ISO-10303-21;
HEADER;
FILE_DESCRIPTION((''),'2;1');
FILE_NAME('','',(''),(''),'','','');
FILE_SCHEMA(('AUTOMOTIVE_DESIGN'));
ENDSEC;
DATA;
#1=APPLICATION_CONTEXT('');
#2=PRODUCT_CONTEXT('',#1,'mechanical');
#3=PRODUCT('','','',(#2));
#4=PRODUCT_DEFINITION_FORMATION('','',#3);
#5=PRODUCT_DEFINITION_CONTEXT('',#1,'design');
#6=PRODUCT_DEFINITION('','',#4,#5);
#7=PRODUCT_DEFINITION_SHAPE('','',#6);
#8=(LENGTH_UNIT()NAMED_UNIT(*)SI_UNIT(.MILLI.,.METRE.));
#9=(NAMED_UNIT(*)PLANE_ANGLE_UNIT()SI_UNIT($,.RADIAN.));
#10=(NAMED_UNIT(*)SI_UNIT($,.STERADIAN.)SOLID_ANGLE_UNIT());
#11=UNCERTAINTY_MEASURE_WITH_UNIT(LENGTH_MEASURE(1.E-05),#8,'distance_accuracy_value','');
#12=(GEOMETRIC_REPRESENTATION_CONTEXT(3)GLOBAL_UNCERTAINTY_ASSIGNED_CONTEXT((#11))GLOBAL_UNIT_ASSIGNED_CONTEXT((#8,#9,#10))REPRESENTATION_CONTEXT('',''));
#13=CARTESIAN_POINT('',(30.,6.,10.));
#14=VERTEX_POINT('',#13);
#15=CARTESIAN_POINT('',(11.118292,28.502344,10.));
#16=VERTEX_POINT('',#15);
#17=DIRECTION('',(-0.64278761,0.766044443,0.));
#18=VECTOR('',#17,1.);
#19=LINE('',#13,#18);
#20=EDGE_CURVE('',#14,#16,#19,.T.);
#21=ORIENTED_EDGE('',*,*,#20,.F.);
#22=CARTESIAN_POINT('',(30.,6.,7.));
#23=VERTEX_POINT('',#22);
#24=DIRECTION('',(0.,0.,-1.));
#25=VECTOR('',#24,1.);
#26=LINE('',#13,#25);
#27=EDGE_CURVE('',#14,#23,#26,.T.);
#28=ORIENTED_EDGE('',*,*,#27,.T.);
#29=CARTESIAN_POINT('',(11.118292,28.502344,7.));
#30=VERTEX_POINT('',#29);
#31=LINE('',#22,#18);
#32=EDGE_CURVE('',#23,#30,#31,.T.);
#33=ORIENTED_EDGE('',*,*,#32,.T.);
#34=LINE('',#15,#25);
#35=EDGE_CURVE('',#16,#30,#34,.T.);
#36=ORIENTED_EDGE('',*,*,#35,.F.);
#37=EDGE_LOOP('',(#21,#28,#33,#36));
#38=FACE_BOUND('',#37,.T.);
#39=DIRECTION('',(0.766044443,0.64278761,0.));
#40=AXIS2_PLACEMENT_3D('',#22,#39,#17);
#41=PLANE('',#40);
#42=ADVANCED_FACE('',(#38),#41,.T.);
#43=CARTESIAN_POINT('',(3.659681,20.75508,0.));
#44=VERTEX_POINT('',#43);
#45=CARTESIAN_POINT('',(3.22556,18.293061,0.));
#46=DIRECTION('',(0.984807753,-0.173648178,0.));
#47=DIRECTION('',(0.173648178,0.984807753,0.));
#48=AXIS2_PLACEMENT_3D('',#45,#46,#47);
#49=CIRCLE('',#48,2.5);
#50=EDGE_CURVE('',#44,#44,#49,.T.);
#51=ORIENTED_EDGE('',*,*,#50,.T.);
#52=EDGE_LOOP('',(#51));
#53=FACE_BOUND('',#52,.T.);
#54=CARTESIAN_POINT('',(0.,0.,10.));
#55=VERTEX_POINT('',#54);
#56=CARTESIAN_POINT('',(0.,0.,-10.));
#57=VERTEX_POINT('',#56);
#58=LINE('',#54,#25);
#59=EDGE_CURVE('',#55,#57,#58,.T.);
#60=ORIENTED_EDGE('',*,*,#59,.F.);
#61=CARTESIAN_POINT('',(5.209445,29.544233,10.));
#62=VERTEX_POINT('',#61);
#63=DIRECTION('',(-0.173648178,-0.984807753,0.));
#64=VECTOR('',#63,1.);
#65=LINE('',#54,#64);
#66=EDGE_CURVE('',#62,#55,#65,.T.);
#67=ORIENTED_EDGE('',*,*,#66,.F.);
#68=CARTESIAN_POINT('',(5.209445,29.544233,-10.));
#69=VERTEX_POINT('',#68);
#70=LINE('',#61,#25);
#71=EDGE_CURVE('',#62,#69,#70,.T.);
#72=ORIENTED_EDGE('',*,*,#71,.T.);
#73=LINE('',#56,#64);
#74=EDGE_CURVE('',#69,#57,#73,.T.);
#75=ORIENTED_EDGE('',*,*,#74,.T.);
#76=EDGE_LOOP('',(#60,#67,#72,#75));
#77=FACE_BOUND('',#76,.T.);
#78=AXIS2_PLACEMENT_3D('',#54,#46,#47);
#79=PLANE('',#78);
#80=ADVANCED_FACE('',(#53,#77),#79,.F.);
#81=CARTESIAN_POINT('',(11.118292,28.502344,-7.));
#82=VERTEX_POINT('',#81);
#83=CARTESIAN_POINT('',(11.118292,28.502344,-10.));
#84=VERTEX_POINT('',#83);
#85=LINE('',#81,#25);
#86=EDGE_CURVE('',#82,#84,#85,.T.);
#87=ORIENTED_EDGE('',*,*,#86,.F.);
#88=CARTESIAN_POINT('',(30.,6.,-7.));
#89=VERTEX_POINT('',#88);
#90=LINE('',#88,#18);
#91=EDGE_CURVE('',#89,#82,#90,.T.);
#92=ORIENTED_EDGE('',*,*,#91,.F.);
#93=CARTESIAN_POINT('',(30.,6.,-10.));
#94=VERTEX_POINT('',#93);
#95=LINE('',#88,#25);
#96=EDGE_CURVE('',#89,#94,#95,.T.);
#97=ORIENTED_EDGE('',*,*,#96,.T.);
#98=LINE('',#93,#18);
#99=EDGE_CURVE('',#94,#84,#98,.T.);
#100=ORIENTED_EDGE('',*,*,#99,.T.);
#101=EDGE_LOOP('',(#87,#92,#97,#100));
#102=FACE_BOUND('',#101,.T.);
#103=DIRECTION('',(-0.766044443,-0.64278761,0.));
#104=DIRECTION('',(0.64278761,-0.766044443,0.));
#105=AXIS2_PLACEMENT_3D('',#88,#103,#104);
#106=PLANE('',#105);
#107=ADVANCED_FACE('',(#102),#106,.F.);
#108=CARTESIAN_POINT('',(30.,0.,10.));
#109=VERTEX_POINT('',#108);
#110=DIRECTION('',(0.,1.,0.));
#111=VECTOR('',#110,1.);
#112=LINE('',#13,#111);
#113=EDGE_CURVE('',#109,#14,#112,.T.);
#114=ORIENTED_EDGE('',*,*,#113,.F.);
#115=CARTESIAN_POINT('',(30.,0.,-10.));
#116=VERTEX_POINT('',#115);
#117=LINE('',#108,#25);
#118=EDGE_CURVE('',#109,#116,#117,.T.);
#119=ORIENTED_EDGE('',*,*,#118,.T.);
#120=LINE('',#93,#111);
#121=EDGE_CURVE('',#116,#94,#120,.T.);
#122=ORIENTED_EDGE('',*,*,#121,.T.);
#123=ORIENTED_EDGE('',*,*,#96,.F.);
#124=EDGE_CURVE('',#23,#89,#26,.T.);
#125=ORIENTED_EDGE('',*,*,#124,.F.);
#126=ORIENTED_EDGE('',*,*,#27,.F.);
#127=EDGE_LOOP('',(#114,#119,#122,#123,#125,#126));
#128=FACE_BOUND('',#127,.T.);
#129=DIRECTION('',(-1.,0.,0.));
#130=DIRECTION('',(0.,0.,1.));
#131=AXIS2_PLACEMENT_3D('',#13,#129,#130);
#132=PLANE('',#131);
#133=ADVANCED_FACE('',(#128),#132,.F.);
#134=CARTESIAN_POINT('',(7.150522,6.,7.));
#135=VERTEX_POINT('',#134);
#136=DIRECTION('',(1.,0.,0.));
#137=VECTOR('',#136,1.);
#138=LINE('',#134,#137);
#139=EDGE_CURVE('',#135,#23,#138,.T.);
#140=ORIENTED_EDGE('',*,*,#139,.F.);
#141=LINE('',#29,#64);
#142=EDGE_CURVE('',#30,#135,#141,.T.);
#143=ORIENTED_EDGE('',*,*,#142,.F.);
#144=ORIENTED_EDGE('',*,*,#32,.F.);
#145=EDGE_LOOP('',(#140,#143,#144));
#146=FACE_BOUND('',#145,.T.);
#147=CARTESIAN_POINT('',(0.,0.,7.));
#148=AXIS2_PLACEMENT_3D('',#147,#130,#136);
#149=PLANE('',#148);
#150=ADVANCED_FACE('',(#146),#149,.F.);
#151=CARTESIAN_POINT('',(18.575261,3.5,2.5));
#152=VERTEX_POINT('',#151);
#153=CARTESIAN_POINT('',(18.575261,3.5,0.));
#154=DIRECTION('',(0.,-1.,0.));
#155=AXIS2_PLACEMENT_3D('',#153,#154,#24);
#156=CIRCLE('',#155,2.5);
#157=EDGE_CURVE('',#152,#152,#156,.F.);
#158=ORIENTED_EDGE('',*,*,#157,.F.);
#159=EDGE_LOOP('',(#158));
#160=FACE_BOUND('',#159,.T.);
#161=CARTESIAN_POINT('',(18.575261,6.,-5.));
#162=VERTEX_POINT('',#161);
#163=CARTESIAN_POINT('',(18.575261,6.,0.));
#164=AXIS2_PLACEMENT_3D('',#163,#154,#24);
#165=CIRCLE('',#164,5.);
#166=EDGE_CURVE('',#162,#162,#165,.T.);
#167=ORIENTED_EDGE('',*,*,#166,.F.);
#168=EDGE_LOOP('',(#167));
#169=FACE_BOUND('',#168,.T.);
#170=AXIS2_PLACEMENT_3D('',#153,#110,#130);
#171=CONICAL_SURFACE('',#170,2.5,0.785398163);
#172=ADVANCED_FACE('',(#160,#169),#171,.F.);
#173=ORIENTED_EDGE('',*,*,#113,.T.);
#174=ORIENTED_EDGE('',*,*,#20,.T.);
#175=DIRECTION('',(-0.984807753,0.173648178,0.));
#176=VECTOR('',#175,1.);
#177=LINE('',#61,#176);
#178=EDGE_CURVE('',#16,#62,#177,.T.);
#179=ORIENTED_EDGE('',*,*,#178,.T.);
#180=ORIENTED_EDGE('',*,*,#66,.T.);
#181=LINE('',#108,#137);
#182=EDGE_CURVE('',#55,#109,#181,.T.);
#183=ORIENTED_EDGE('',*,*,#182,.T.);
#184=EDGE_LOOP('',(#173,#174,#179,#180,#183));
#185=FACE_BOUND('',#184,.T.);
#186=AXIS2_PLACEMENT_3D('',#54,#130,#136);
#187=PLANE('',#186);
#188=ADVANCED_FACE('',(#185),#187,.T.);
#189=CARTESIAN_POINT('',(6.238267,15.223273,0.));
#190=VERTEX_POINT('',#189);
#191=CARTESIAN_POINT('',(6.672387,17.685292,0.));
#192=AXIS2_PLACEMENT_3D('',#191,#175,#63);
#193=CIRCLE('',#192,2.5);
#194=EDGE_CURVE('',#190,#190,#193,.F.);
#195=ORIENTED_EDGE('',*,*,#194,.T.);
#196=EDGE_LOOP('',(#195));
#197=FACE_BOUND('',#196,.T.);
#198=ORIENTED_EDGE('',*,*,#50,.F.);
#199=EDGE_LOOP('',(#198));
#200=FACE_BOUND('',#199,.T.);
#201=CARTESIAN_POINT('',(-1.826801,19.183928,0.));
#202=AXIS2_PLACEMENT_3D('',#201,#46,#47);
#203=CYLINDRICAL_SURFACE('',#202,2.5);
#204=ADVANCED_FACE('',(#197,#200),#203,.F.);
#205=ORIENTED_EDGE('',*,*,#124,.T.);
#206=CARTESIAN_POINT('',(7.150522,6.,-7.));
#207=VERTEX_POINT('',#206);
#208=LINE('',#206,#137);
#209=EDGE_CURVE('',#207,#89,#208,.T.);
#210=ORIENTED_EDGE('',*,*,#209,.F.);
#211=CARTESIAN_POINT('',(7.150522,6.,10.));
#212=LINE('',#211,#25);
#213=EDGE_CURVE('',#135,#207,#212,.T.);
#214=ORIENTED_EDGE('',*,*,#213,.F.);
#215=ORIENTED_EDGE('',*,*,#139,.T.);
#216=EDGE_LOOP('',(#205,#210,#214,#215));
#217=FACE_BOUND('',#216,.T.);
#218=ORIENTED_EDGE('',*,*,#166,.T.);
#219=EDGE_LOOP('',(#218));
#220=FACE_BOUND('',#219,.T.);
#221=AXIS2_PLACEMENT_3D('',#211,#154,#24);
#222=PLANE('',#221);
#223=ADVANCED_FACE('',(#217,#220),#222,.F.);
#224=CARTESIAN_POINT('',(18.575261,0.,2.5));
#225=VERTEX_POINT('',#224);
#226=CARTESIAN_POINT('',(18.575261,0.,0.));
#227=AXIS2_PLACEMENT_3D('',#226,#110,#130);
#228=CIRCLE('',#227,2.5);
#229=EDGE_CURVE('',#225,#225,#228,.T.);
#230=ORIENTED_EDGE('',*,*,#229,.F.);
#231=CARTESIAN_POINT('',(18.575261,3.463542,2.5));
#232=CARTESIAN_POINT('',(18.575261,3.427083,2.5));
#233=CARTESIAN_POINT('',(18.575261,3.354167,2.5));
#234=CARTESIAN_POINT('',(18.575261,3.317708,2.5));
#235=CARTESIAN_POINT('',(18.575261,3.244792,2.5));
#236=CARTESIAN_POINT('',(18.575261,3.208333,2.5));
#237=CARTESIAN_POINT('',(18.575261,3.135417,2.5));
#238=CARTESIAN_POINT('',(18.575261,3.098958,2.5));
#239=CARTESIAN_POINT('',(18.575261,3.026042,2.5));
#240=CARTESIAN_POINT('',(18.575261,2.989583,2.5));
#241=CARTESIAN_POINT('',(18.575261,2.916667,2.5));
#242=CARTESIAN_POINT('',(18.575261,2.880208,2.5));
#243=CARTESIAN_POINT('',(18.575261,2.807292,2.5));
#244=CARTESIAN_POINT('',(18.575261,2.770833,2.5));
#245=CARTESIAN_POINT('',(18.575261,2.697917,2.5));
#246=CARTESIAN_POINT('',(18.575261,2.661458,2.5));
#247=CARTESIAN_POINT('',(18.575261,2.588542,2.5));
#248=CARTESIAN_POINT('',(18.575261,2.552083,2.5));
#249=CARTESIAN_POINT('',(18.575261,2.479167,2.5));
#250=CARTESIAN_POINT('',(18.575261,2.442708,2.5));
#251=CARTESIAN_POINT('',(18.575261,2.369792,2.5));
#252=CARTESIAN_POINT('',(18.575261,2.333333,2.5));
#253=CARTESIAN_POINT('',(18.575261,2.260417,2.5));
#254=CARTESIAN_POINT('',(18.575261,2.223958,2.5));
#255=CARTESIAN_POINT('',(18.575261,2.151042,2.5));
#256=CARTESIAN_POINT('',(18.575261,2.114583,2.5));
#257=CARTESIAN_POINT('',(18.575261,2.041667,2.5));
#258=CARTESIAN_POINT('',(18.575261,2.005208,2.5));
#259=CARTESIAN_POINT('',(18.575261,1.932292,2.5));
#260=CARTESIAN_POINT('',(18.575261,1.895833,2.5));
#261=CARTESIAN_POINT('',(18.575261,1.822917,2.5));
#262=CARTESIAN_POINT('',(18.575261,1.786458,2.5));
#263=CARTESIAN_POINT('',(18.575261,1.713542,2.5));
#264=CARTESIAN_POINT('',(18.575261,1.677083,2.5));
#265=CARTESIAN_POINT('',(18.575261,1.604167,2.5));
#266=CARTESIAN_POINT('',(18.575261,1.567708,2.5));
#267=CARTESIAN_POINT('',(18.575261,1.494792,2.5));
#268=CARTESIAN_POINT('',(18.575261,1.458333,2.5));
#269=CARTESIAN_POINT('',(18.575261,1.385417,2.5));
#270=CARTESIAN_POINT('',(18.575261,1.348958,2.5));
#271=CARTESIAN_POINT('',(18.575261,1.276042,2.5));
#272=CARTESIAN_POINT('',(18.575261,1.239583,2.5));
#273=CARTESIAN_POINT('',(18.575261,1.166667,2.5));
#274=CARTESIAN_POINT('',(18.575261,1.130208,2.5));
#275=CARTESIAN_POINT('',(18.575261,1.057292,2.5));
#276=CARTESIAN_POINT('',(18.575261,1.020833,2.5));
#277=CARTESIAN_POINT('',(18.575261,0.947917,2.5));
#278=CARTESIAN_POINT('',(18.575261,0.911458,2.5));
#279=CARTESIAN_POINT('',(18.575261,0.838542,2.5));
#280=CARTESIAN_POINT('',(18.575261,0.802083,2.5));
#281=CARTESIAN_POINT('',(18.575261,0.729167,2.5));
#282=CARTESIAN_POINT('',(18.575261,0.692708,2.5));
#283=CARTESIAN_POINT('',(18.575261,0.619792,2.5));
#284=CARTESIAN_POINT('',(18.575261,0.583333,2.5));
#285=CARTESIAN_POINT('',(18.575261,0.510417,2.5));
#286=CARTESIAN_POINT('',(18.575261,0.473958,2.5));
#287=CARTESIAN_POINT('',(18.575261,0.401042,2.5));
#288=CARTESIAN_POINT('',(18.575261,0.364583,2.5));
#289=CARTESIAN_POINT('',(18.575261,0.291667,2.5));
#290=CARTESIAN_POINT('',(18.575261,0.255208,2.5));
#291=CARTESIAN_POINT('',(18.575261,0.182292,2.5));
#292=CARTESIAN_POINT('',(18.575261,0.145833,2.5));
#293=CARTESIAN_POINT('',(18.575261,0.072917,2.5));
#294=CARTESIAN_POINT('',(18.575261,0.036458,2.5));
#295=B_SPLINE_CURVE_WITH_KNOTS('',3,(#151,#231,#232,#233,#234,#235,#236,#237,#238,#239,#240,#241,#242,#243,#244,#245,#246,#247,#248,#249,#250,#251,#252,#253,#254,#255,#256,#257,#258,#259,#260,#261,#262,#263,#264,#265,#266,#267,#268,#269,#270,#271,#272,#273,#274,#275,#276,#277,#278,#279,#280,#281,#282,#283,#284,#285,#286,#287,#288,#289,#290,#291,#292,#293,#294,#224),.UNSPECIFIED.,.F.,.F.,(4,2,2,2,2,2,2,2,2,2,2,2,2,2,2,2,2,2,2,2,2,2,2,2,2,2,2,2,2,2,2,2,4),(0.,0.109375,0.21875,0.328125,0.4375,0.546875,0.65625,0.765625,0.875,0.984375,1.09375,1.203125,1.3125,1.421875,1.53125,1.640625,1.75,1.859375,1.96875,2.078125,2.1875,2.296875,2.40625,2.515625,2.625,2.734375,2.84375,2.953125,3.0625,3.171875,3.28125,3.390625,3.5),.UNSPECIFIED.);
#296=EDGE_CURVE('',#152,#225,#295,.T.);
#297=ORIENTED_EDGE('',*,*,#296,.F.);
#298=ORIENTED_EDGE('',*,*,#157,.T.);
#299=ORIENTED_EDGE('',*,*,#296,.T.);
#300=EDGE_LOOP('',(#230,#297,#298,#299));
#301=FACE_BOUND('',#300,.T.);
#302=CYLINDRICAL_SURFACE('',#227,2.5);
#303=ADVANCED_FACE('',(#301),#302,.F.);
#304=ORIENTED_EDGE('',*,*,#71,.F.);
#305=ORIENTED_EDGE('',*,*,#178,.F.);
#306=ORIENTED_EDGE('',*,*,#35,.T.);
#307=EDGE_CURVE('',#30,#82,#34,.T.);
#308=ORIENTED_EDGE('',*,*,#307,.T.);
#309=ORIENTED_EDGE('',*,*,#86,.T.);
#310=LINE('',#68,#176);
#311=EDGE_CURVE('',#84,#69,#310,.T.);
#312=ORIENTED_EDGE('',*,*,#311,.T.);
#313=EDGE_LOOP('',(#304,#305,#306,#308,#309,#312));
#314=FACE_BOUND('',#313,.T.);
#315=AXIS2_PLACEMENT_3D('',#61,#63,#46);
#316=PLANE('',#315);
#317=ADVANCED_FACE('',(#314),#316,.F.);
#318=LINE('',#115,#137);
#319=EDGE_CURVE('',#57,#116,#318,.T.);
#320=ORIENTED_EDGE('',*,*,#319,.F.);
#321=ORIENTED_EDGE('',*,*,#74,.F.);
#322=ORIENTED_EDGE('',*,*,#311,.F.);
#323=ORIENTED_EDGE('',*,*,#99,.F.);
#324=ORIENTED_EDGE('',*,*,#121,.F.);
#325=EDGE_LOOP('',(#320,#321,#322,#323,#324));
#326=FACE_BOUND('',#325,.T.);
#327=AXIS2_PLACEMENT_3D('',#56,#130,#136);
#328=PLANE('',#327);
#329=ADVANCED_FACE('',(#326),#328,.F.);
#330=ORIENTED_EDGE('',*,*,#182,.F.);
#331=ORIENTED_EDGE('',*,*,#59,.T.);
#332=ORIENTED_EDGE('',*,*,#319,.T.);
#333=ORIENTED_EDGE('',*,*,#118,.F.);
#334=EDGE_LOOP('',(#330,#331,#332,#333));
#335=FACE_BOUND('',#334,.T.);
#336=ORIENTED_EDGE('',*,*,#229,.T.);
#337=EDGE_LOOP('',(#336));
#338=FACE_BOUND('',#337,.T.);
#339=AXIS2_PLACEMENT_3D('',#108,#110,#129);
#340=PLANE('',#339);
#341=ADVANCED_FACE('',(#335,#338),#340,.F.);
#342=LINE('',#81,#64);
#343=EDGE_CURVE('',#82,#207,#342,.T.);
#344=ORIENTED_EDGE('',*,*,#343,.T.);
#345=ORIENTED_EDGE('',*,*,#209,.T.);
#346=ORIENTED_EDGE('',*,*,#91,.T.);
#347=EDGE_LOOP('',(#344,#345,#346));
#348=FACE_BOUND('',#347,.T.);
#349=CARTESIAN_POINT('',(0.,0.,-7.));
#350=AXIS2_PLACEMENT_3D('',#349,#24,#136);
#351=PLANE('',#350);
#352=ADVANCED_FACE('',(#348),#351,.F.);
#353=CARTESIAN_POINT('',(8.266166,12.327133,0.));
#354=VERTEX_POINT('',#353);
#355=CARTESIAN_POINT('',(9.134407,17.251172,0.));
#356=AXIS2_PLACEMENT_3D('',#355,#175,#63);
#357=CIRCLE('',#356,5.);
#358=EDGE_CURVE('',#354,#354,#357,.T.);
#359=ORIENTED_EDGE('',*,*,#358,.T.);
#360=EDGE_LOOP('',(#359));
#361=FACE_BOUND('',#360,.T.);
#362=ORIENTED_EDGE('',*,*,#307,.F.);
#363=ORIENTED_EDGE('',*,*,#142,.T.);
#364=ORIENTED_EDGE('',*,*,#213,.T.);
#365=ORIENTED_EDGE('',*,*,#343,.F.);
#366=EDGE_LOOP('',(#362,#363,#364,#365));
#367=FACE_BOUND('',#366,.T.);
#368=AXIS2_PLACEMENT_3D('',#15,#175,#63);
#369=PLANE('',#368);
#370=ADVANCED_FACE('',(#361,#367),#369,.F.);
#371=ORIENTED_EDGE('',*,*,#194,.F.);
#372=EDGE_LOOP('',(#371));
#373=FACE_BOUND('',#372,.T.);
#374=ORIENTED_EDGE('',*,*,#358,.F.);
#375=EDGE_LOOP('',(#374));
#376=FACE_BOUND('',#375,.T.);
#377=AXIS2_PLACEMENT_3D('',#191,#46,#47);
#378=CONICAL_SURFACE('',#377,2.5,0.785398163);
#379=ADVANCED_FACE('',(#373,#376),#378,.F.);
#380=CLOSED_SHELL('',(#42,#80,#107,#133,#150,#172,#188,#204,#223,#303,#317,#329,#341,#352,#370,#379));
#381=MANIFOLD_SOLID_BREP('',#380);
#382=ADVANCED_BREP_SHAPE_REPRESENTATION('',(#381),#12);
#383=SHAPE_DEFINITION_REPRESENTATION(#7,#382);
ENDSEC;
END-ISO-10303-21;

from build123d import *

# Parameters (mm, degrees)
BOSS_EXTRUDE1_DEPTH = 10
BOSS_EXTRUDE2_DEPTH = 3
SKETCH3_R           = 2.5
CUT_EXTRUDE1_DEPTH  = 41.198190433
SKETCH4_R           = 2.5
CUT_EXTRUDE2_DEPTH  = 40.425003339
CHAMFER1_SIZE       = 2.5


with BuildPart() as part:
    # Sketch1 → Boss-Extrude1 (new, symmetric)
    with BuildSketch(Plane.XY):
        Polygon((0, 0), (5.20944533, 29.54423259), (11.118291848, 28.502343524), (7.150521556, 6), (30, 6), (30, 0), align=None)
    extrude(amount=BOSS_EXTRUDE1_DEPTH, both=True)

    # Sketch2 → Boss-Extrude2 (add)
    with BuildSketch(Plane.XY.offset(10)):
        Polygon((11.118291848, 28.502343524), (7.150521556, 6), (30, 6), align=None)
    boss_extrude2 = extrude(amount=-BOSS_EXTRUDE2_DEPTH)

    # Mirror1: Boss-Extrude2 across plane
    add(boss_extrude2.mirror(Plane.XY))

    # Sketch3 → Cut-Extrude1 (cut, through all)
    with BuildSketch(Plane(origin=(5.908846518, -1.041889066, 0), x_dir=(0, 0, -1), z_dir=(0.9848077530122076, -0.173648177666934, 0))):
        with Locations(Location((0, 18.575260778, 0), (0, 0, 90))):
            Circle(SKETCH3_R)
    extrude(amount=-CUT_EXTRUDE1_DEPTH, mode=Mode.SUBTRACT)

    # Sketch4 → Cut-Extrude2 (cut, through all)
    with BuildSketch(Plane(origin=(0, 6, 0), x_dir=(1, 0, 0), z_dir=(0, 1, 0))):
        with Locations(Location((18.575260778, 0, 0), (0, 0, 270))):
            Circle(SKETCH4_R)
    extrude(amount=-CUT_EXTRUDE2_DEPTH, mode=Mode.SUBTRACT)

    # Chamfer1
    chamfer1_edges = [part.edges().sort_by_distance(p)[0] for p in [
        (8.700286258, 14.78915238, 0),
        (18.575260778, 6, -2.5),
    ]]
    chamfer(chamfer1_edges, length=CHAMFER1_SIZE)


solid = part.part
